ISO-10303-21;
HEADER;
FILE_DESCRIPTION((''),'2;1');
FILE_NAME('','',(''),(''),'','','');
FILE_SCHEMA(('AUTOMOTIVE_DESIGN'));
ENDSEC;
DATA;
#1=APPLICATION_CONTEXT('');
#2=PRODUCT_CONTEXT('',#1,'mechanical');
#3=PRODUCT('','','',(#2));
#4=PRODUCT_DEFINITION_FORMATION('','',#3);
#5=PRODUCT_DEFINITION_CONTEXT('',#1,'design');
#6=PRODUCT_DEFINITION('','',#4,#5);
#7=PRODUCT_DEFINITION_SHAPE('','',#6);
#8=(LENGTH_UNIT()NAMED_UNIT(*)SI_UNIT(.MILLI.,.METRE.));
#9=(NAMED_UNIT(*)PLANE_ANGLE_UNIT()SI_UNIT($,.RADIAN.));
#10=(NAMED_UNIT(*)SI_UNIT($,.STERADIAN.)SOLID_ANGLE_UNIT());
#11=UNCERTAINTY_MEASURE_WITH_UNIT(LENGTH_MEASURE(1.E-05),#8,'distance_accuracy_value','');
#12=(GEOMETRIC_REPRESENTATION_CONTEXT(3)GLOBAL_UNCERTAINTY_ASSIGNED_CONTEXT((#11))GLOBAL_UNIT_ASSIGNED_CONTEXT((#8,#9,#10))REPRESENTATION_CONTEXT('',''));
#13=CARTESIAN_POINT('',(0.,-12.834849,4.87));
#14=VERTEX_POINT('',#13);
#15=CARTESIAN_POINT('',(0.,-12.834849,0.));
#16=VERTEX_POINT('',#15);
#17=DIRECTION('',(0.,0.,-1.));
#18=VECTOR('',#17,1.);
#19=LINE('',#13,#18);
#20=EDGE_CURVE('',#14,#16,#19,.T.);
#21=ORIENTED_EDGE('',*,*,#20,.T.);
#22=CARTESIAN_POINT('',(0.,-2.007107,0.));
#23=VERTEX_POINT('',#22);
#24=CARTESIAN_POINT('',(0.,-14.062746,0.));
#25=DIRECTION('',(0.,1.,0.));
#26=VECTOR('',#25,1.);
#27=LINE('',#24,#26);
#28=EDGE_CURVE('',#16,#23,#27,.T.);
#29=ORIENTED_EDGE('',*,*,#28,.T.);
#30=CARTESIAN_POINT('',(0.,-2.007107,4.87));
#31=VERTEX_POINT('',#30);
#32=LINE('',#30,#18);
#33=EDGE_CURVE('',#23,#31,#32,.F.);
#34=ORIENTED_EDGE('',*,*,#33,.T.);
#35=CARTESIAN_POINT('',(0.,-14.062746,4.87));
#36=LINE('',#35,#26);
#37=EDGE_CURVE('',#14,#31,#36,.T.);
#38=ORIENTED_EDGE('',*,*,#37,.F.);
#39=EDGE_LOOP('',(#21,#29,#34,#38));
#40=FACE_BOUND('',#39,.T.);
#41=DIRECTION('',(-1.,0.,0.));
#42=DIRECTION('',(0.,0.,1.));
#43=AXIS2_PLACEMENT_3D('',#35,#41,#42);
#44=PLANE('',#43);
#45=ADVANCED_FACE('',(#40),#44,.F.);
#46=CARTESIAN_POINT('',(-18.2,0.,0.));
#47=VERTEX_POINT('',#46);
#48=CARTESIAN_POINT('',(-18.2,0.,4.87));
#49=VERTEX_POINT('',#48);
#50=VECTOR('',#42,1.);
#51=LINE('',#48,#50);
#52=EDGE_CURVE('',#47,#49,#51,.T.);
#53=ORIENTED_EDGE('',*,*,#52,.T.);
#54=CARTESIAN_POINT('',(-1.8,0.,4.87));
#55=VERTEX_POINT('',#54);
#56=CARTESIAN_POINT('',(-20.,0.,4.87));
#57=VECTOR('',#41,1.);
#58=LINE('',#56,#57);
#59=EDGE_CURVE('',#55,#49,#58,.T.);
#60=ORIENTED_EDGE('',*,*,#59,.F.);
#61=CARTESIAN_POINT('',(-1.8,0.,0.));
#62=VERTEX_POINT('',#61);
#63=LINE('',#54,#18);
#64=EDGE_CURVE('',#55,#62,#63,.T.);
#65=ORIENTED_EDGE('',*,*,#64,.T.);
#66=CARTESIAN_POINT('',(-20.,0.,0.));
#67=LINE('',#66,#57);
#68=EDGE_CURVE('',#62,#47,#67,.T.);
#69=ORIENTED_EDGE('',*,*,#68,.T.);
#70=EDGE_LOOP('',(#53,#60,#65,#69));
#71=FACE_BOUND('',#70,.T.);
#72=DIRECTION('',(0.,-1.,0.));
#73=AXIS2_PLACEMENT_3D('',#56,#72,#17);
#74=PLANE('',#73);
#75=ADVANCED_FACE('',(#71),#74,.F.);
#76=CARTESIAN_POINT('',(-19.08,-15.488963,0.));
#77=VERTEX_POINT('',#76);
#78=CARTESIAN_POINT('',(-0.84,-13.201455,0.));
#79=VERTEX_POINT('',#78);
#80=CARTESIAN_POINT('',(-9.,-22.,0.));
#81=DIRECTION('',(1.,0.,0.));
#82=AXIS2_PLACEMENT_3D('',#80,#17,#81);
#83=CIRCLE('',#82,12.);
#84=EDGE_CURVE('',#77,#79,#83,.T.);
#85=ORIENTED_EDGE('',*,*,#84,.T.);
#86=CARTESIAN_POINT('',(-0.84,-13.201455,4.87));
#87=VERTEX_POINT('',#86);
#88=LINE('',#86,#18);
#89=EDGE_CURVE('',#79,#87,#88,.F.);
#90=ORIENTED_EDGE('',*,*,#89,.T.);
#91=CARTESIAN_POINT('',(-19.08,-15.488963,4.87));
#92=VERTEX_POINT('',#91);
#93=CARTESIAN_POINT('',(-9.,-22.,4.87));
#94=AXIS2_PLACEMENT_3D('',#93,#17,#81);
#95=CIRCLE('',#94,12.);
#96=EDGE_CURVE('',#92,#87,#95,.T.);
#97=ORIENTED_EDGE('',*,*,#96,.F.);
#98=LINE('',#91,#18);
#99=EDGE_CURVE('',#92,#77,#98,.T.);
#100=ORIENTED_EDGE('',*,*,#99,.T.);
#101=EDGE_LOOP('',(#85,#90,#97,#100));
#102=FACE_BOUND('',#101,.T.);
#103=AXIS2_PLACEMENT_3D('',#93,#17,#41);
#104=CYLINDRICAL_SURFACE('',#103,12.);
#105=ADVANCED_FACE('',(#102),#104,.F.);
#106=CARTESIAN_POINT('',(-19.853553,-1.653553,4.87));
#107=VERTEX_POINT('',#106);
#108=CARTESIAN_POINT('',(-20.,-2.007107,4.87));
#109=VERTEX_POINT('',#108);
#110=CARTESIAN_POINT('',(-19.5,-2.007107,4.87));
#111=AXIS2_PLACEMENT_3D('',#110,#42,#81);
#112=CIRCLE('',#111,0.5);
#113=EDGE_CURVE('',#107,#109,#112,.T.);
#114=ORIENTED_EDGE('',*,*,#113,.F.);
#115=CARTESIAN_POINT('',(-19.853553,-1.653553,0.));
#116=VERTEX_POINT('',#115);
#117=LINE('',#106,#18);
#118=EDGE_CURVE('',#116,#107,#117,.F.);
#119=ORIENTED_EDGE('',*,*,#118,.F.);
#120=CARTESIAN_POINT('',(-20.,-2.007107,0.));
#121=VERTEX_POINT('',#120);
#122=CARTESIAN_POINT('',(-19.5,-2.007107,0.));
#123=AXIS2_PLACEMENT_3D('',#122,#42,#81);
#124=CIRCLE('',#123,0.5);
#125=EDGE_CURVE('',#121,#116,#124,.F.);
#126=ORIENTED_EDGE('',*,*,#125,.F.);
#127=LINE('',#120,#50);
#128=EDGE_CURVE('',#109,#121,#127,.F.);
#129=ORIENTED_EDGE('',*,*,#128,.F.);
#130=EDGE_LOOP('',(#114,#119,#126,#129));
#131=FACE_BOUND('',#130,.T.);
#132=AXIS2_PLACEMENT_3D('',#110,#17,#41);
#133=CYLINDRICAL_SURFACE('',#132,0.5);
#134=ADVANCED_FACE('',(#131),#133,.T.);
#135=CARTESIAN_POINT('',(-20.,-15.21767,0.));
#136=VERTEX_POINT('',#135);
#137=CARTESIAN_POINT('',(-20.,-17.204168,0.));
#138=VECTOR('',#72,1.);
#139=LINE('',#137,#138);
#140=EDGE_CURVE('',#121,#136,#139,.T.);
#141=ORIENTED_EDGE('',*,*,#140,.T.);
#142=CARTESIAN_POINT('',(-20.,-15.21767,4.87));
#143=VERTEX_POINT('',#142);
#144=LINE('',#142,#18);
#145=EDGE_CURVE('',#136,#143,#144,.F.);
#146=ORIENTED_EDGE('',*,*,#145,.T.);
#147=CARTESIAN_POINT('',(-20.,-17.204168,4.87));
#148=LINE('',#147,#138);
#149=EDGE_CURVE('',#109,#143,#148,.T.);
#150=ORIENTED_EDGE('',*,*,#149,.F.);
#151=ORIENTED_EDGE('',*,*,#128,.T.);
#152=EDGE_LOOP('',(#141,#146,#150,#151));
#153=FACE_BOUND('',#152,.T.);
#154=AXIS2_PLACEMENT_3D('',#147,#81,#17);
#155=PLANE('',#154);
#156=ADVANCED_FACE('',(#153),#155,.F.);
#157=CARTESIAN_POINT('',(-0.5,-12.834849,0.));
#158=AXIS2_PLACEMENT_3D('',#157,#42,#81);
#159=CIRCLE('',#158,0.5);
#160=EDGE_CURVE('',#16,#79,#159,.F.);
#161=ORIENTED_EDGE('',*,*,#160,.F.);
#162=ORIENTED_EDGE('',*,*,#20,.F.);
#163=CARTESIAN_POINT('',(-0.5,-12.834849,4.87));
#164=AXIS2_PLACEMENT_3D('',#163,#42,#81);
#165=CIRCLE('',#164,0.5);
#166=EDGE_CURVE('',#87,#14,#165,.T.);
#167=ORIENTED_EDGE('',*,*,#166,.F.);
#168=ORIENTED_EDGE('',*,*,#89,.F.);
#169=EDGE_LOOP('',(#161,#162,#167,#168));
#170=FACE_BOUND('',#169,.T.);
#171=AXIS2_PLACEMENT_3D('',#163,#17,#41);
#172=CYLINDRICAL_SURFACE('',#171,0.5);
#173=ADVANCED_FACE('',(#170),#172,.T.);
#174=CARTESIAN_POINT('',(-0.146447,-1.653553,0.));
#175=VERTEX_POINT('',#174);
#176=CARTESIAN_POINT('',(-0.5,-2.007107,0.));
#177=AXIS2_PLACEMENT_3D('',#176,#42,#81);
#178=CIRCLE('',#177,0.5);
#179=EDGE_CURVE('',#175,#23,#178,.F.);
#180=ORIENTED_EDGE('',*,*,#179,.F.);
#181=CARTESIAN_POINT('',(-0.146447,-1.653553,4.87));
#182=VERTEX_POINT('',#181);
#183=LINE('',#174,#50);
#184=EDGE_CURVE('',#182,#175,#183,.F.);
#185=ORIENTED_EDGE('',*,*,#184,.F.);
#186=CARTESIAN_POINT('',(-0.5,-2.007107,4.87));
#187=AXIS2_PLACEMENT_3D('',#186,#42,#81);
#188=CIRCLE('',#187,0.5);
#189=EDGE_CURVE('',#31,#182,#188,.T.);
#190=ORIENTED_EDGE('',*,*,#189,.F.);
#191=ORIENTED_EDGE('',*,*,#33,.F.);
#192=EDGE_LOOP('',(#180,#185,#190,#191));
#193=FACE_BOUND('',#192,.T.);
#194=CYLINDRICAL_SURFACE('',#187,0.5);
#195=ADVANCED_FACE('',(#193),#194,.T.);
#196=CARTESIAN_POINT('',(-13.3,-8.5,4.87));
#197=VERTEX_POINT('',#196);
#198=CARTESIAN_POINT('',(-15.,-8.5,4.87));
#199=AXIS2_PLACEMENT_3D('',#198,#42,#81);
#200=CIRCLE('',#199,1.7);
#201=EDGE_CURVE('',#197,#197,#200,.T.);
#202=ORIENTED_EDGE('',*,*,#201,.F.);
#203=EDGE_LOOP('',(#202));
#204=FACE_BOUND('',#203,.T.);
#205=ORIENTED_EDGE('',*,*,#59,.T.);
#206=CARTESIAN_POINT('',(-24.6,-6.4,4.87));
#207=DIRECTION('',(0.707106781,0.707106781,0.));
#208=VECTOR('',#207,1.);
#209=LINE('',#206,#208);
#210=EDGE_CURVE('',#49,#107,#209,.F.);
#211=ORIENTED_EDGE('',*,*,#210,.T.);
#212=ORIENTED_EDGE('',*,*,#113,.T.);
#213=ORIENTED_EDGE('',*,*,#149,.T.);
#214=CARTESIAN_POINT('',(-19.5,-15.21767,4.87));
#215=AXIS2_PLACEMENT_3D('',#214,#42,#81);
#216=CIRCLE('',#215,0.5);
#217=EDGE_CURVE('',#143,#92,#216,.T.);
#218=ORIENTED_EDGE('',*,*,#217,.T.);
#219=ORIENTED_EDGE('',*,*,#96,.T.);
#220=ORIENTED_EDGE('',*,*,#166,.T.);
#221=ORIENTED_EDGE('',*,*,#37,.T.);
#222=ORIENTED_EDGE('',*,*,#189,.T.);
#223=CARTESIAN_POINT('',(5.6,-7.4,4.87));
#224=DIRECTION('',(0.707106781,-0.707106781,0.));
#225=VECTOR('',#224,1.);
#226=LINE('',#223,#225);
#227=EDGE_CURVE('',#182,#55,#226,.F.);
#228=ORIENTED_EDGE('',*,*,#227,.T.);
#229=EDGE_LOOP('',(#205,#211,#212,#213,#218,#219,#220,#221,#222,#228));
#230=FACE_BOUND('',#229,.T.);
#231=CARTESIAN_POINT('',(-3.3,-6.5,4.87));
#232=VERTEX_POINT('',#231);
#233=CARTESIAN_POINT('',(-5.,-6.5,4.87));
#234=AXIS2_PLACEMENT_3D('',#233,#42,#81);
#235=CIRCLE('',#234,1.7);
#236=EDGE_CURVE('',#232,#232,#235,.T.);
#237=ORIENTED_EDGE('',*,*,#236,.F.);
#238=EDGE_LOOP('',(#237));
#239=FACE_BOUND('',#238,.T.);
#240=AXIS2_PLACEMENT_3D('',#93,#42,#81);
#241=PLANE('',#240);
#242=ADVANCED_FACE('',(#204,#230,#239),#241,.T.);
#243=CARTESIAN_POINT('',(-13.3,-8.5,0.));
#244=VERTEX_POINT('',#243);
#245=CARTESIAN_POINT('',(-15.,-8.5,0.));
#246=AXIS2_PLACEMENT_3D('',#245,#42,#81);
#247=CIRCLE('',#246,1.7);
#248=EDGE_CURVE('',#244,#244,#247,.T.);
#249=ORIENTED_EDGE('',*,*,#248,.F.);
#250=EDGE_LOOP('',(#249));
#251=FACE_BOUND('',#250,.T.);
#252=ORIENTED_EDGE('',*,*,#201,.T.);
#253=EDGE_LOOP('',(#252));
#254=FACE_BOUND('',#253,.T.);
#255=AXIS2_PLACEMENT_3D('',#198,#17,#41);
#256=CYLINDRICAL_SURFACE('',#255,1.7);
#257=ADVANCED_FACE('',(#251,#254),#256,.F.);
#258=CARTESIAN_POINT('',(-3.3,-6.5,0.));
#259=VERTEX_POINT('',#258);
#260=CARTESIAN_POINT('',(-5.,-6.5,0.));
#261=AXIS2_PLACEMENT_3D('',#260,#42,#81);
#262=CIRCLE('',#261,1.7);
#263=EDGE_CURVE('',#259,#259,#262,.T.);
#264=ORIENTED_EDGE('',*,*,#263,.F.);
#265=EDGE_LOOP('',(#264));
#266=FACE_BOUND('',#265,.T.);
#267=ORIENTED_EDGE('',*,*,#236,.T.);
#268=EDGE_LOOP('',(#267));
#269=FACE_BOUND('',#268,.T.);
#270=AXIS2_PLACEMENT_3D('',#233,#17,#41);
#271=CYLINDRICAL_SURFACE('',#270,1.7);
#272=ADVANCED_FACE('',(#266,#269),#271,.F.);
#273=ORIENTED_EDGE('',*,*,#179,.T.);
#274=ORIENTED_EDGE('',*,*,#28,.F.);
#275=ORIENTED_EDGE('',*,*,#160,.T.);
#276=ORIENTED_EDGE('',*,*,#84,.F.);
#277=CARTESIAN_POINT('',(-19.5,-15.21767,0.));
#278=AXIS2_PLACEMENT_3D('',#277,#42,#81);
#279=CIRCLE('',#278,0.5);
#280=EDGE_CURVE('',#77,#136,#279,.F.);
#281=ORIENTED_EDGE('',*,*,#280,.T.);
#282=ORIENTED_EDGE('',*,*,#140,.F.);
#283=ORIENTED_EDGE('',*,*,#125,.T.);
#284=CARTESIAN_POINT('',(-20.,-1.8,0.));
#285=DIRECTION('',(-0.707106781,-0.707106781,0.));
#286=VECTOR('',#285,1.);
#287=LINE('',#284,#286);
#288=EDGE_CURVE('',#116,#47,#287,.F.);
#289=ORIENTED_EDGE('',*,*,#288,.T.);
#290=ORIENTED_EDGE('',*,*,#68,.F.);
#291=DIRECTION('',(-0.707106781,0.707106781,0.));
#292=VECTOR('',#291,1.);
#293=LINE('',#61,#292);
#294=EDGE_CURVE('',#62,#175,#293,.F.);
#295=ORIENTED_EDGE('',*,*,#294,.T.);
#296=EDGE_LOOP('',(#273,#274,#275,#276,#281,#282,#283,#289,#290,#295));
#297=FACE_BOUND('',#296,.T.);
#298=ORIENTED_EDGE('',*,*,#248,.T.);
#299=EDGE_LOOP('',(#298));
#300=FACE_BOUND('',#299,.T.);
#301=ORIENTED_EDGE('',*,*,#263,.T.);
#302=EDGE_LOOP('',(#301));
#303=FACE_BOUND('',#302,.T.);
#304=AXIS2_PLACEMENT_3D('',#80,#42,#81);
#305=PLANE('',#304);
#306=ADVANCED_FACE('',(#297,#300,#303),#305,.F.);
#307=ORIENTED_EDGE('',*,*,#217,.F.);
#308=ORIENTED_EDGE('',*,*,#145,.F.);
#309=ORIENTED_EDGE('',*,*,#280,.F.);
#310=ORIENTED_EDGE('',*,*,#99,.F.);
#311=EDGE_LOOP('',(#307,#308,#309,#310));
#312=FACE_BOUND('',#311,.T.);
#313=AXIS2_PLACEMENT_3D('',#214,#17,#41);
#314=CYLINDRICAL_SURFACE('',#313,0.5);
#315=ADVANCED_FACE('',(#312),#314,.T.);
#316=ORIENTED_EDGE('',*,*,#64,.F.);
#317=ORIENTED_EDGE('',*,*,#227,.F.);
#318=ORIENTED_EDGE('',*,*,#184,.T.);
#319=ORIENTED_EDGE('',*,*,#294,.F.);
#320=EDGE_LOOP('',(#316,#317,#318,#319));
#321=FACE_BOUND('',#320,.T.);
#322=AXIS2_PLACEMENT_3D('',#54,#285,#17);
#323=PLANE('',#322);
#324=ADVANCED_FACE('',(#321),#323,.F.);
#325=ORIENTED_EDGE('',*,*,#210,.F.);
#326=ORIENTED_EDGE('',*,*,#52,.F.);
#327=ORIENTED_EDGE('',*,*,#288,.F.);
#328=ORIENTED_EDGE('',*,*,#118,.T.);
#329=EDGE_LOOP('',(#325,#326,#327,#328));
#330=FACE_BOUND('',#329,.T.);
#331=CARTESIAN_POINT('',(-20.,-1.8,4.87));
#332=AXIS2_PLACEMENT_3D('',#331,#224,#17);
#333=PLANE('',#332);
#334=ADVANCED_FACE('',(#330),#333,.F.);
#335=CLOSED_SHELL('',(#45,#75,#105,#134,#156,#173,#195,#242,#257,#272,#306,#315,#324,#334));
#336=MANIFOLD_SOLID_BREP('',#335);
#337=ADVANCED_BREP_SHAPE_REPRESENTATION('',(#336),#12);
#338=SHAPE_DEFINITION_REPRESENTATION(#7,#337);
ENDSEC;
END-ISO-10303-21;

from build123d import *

# Parameters (mm, degrees)
SKETCH1_R           = 1.7
BOSS_EXTRUDE1_DEPTH = 4.87
CHAMFER1_SIZE       = 1.8
FILLET1_R           = 0.5


with BuildPart() as part:
    # Sketch1 → Boss-Extrude1 (new body)
    with BuildSketch(Plane.XY):
        with BuildLine():
            Line((-20, 0), (0, 0))
            Line((0, 0), (0, -14.062746067))
            ThreePointArc((0, -14.062746067), (-10.862024084, -10.145344108), (-20, -17.204168477))
            Line((-20, -17.204168477), (-20, 0))
        make_face()
        with Locations((-15, -8.5)):
            Circle(SKETCH1_R, mode=Mode.SUBTRACT)
        with Locations((-5, -6.5)):
            Circle(SKETCH1_R, mode=Mode.SUBTRACT)
    extrude(amount=BOSS_EXTRUDE1_DEPTH)

    # Chamfer1
    chamfer1_edges = [part.edges().sort_by_distance(p)[0] for p in [
        (-20, 0, 2.435),
        (0, 0, 2.435),
    ]]
    chamfer(chamfer1_edges, length=CHAMFER1_SIZE)

    # Fillet1
    fillet1_edges = [part.edges().sort_by_distance(p)[0] for p in [
        (0, -1.8, 2.435),
        (-20, -1.8, 2.435),
        (0, -14.062746067, 2.435),
        (-20, -17.204168477, 2.435),
    ]]
    fillet(fillet1_edges, radius=FILLET1_R)


solid = part.part
